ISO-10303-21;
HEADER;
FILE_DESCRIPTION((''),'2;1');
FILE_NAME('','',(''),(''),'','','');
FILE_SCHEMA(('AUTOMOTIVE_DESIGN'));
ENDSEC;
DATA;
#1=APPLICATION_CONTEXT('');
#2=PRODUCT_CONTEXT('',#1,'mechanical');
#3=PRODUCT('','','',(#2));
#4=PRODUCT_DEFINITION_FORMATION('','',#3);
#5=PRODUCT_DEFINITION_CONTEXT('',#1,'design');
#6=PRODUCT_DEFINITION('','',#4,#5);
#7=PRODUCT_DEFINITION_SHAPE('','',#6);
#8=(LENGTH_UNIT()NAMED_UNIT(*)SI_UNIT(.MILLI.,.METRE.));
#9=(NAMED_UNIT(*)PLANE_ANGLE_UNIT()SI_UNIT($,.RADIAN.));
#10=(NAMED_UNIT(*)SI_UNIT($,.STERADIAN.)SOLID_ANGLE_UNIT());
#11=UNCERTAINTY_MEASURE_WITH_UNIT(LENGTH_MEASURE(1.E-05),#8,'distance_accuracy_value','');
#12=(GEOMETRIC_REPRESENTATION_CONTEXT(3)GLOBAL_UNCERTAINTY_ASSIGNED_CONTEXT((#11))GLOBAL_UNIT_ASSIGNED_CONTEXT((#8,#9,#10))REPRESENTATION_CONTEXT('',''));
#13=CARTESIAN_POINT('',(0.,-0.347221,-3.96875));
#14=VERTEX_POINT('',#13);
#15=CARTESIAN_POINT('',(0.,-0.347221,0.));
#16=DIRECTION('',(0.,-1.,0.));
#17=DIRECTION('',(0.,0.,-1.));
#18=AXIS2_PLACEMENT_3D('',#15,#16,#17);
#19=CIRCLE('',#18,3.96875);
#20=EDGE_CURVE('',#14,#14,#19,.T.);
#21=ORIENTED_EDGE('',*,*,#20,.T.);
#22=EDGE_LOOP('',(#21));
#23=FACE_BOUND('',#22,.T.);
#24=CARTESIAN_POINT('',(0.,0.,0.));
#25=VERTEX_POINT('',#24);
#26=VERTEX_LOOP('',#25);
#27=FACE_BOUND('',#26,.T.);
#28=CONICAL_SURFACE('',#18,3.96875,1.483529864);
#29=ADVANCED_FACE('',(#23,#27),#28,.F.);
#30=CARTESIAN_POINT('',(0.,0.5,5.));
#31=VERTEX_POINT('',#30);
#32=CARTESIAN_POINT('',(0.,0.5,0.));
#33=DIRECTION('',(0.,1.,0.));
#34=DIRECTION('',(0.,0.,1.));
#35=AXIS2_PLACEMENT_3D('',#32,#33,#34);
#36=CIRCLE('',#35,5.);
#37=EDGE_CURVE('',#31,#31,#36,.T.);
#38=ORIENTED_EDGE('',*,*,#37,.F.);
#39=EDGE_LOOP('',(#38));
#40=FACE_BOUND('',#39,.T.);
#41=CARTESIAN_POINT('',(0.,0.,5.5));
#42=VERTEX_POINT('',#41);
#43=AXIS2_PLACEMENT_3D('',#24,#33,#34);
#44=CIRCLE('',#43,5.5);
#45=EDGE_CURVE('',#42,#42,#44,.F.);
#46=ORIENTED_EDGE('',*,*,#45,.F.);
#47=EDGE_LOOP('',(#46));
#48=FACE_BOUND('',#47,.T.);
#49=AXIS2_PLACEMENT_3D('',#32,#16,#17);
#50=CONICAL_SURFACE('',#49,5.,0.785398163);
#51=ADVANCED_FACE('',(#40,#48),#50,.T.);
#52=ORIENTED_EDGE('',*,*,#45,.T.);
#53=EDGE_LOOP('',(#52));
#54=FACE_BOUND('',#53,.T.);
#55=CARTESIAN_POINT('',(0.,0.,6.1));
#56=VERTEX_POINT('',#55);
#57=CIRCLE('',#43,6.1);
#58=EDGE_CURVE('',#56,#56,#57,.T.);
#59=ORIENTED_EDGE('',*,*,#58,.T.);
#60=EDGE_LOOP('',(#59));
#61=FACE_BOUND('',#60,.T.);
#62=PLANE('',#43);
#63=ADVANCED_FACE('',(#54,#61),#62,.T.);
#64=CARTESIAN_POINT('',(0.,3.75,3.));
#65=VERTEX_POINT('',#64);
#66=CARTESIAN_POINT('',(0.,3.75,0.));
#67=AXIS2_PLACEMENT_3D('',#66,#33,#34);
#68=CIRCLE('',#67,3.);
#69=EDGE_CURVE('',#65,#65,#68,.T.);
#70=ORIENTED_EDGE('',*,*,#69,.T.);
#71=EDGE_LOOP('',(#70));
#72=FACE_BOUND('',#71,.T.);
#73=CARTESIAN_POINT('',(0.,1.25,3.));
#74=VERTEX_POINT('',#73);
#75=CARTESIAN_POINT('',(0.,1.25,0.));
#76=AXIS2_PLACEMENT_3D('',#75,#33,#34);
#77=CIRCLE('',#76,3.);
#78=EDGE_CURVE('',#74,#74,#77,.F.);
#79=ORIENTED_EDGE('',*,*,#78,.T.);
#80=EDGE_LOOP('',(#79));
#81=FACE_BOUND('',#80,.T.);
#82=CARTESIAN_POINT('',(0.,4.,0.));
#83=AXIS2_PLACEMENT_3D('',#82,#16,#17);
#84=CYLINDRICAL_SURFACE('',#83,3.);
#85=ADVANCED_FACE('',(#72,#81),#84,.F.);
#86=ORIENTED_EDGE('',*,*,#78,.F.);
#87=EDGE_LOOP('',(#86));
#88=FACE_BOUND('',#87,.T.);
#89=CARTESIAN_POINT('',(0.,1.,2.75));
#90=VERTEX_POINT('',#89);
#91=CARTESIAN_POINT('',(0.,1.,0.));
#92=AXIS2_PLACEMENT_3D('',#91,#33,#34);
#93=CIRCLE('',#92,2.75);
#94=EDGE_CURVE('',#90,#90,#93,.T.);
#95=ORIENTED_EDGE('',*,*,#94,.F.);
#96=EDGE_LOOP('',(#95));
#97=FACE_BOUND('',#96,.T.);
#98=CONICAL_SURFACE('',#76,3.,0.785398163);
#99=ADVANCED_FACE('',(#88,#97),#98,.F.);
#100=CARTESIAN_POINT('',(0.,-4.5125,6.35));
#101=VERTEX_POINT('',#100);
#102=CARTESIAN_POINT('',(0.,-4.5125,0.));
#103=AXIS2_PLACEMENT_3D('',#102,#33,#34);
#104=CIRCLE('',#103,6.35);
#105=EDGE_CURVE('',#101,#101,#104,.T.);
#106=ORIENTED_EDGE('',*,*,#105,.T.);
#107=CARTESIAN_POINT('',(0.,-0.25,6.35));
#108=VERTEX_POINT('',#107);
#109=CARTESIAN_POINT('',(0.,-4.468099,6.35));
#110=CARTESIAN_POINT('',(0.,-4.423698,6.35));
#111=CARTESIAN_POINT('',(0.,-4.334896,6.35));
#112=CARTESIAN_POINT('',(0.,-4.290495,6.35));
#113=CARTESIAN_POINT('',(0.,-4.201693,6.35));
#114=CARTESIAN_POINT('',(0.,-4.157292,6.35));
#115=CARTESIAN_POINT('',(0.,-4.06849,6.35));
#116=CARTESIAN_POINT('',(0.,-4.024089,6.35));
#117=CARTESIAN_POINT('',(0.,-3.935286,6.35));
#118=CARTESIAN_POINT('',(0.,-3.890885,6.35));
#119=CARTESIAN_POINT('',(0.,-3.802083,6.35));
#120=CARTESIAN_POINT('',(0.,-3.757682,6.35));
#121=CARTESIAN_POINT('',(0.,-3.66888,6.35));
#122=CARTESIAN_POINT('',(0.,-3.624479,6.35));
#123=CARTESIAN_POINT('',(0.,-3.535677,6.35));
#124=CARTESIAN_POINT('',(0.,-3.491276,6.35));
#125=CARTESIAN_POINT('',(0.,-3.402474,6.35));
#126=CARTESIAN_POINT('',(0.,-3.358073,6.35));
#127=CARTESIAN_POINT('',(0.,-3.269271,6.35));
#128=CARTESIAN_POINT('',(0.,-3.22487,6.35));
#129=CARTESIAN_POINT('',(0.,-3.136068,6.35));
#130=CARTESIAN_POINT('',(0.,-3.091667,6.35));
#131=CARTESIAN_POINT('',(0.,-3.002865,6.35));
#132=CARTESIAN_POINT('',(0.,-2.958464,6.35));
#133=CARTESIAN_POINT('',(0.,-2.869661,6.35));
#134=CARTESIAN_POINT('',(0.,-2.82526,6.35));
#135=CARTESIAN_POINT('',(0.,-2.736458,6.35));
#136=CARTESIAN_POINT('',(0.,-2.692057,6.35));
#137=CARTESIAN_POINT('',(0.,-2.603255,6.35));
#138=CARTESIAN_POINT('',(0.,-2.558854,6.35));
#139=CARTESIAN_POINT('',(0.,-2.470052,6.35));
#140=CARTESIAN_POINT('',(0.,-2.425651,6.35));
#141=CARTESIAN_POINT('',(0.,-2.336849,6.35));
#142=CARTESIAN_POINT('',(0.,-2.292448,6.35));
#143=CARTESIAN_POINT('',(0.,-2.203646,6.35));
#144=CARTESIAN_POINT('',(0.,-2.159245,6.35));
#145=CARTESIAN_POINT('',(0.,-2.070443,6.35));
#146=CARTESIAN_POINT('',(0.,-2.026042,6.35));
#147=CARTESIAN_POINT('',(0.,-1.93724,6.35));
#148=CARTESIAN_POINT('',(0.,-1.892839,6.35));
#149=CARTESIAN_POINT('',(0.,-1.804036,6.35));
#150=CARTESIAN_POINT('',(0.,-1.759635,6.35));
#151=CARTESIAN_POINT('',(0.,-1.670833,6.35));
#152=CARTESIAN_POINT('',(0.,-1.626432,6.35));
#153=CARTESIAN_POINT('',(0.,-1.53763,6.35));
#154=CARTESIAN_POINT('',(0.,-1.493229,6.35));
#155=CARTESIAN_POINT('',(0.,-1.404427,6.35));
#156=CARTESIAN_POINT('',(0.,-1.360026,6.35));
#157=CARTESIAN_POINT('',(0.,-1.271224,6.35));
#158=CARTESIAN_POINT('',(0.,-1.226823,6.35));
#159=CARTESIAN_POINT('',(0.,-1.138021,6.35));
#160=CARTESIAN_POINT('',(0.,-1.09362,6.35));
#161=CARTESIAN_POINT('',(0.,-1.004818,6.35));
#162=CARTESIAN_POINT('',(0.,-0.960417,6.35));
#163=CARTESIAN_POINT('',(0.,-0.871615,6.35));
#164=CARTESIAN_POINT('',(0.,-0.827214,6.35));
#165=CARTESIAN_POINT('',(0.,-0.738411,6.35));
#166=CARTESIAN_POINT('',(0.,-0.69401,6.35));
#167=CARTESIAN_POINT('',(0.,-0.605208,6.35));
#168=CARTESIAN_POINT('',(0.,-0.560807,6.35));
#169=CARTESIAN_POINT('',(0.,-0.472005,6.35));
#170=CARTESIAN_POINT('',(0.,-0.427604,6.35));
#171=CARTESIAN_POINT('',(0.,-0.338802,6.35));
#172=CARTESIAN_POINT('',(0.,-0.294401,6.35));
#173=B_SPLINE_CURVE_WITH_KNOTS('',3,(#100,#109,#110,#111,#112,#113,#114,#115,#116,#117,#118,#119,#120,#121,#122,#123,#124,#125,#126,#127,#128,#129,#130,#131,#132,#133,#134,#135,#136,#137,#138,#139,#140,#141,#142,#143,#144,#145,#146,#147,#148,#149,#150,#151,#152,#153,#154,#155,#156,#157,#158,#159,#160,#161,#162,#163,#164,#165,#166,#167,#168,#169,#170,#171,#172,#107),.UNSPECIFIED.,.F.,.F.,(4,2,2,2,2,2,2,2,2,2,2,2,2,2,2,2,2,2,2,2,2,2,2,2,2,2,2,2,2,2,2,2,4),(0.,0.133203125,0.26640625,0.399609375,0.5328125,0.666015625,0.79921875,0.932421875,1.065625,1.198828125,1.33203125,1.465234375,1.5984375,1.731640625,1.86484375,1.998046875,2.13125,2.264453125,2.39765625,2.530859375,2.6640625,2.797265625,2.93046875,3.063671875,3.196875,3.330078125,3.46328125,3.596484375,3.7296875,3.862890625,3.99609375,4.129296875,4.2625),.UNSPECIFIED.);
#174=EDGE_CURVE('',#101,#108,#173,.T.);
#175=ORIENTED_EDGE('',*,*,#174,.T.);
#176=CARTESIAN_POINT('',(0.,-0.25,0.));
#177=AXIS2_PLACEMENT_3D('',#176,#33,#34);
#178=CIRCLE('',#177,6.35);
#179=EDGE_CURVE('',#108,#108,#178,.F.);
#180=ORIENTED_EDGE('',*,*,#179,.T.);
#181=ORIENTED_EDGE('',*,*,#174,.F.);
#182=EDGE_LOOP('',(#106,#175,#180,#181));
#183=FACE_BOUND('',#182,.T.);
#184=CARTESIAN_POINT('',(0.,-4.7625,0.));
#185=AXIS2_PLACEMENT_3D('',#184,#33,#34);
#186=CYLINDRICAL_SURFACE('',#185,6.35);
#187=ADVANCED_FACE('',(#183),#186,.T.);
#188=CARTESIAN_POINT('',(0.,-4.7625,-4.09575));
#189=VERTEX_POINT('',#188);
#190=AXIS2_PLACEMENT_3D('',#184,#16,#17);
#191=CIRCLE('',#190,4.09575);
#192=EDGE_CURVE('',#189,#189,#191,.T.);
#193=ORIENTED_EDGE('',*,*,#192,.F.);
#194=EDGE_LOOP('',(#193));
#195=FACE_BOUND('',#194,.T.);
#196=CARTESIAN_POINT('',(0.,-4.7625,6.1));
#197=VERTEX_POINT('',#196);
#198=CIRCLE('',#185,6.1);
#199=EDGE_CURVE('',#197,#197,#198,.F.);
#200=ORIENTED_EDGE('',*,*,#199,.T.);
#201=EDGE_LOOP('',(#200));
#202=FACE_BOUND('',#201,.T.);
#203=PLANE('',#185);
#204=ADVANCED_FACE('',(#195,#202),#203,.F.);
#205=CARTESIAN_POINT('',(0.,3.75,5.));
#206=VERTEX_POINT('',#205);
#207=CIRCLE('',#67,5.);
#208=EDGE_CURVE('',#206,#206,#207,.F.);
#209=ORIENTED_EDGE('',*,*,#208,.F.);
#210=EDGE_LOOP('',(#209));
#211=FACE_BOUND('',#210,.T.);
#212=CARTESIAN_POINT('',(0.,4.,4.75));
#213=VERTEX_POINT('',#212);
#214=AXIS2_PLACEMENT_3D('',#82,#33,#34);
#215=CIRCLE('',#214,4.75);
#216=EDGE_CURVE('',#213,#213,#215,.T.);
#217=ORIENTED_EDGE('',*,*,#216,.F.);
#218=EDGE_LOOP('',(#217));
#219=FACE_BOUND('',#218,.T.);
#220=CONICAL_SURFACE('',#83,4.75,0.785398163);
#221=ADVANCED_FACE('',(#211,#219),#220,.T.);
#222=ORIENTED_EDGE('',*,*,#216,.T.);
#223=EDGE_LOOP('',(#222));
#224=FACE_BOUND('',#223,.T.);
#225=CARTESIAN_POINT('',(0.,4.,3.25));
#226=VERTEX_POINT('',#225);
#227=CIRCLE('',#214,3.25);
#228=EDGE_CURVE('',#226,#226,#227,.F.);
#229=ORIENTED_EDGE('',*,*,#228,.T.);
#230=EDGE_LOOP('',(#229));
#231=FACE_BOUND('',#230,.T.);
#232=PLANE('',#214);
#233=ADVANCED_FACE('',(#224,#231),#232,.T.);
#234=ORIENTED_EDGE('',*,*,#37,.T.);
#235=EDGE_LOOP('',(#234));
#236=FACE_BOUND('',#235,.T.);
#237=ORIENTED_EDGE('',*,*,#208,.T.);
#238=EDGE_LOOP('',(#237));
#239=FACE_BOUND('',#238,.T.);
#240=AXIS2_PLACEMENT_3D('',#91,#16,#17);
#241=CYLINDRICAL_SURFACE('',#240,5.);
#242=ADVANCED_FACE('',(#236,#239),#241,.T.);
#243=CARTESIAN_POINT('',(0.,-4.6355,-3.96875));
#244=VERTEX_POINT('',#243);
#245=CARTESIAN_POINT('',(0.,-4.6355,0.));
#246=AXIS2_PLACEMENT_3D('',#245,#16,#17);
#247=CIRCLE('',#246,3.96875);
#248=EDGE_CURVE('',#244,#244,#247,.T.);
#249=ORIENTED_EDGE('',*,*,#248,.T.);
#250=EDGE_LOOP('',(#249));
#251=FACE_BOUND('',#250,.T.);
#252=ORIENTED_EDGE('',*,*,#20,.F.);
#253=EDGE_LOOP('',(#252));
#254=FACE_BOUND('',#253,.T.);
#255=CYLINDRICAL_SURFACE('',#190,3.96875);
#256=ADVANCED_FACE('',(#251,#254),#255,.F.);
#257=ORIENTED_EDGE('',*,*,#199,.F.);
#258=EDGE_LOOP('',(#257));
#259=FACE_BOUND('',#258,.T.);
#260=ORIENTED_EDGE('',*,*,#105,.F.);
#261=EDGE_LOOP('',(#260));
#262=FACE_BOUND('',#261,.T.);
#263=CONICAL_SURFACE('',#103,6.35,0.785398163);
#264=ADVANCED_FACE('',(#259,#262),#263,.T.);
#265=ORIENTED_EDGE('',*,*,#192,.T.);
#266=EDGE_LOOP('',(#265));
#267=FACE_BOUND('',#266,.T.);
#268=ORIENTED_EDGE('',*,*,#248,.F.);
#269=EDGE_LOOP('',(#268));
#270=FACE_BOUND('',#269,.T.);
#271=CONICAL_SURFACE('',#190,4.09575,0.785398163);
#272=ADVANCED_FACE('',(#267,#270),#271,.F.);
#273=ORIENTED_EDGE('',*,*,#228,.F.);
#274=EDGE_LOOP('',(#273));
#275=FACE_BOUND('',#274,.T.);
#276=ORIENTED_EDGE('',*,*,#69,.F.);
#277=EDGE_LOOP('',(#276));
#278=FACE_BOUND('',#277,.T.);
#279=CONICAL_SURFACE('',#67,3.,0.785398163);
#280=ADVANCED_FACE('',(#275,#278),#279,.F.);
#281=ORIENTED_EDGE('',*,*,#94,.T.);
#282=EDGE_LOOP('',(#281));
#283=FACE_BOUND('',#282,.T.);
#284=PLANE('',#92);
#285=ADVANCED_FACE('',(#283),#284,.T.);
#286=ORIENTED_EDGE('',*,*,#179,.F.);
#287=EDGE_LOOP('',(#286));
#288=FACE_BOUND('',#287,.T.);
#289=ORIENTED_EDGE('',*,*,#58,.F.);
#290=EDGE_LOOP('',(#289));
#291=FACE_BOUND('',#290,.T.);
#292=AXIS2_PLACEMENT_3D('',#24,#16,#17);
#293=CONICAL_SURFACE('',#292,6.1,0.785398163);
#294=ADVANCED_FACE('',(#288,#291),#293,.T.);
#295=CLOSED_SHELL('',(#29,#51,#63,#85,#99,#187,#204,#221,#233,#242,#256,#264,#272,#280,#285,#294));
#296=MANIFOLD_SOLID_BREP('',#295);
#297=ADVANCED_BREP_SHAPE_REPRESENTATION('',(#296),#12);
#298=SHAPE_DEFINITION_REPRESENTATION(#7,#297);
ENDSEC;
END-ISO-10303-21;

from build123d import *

# Parameters (mm, degrees)
SKETCH1_R                                = 5
BOSS_EXTRUDE1_DEPTH                      = 1
SKETCH1_3_R                              = 5
SKETCH1_3_R_2                            = 3
BOSS_EXTRUDE2_DEPTH                      = 4
CHAMFER1_SIZE                            = 0.25
SKETCH5_R                                = 6.35
BOSS_EXTRUDE4_DEPTH                      = 4.7625
F_5_16_0_3125_DIAMETER_HOLE1_D           = 7.9375
F_5_16_0_3125_DIAMETER_HOLE1_DEPTH       = 4.415279367
F_5_16_0_3125_DIAMETER_HOLE1_CSINK_D     = 8.1915
F_5_16_0_3125_DIAMETER_HOLE1_CSINK_ANGLE = 90
F_5_16_0_3125_DIAMETER_HOLE1_TIP         = 0.347220633
CHAMFER2_SIZE                            = 0.25
CHAMFER3_SIZE                            = 0.5


with BuildPart() as part:
    # Sketch1 → Boss-Extrude1 (new body)
    with BuildSketch(Plane(origin=(0, 0, 0), x_dir=(1, 0, 0), z_dir=(0, 1, 0))):
        Circle(SKETCH1_R)
    extrude(amount=BOSS_EXTRUDE1_DEPTH)

    # Sketch1<3> → Boss-Extrude2 (add)
    with BuildSketch(Plane(origin=(0, 0, 0), x_dir=(1, 0, 0), z_dir=(0, 1, 0))):
        Circle(SKETCH1_3_R)
        Circle(SKETCH1_3_R_2, mode=Mode.SUBTRACT)
    extrude(amount=BOSS_EXTRUDE2_DEPTH)

    # Chamfer1
    chamfer1_edges = [part.edges().sort_by_distance(p)[0] for p in [
        (-3, 4, 0),
        (-5, 4, 0),
        (-3, 1, 0),
    ]]
    chamfer(chamfer1_edges, length=CHAMFER1_SIZE)

    # Sketch5 → Boss-Extrude4 (add)
    with BuildSketch(Plane(origin=(0, 0, 0), x_dir=(1, 0, 0), z_dir=(0, 1, 0))):
        Circle(SKETCH5_R)
    extrude(amount=-BOSS_EXTRUDE4_DEPTH)

    # 5/16 (0.3125) Diameter Hole1
    with Locations(Plane(origin=(0, -4.7625, 0), x_dir=(-1, 0, 0), z_dir=(0, -1, 0))):
        with Locations((0, 0)):
            CounterSinkHole(F_5_16_0_3125_DIAMETER_HOLE1_D / 2, F_5_16_0_3125_DIAMETER_HOLE1_CSINK_D / 2, depth=F_5_16_0_3125_DIAMETER_HOLE1_DEPTH, counter_sink_angle=F_5_16_0_3125_DIAMETER_HOLE1_CSINK_ANGLE)
            with Locations((0, 0, -(F_5_16_0_3125_DIAMETER_HOLE1_DEPTH + F_5_16_0_3125_DIAMETER_HOLE1_TIP / 2))):  # 170° drill point
                Cone(0, F_5_16_0_3125_DIAMETER_HOLE1_D / 2, F_5_16_0_3125_DIAMETER_HOLE1_TIP, mode=Mode.SUBTRACT)

    # Chamfer2
    chamfer2_edges = [part.edges().sort_by_distance(p)[0] for p in [
        (-6.35, -4.7625, 0),
        (-6.35, 0, 0),
    ]]
    chamfer(chamfer2_edges, length=CHAMFER2_SIZE)

    # Chamfer3
    chamfer3_edges = [part.edges().sort_by_distance(p)[0] for p in [
        (-5, 0, 0),
    ]]
    chamfer(chamfer3_edges, length=CHAMFER3_SIZE)


solid = part.part
